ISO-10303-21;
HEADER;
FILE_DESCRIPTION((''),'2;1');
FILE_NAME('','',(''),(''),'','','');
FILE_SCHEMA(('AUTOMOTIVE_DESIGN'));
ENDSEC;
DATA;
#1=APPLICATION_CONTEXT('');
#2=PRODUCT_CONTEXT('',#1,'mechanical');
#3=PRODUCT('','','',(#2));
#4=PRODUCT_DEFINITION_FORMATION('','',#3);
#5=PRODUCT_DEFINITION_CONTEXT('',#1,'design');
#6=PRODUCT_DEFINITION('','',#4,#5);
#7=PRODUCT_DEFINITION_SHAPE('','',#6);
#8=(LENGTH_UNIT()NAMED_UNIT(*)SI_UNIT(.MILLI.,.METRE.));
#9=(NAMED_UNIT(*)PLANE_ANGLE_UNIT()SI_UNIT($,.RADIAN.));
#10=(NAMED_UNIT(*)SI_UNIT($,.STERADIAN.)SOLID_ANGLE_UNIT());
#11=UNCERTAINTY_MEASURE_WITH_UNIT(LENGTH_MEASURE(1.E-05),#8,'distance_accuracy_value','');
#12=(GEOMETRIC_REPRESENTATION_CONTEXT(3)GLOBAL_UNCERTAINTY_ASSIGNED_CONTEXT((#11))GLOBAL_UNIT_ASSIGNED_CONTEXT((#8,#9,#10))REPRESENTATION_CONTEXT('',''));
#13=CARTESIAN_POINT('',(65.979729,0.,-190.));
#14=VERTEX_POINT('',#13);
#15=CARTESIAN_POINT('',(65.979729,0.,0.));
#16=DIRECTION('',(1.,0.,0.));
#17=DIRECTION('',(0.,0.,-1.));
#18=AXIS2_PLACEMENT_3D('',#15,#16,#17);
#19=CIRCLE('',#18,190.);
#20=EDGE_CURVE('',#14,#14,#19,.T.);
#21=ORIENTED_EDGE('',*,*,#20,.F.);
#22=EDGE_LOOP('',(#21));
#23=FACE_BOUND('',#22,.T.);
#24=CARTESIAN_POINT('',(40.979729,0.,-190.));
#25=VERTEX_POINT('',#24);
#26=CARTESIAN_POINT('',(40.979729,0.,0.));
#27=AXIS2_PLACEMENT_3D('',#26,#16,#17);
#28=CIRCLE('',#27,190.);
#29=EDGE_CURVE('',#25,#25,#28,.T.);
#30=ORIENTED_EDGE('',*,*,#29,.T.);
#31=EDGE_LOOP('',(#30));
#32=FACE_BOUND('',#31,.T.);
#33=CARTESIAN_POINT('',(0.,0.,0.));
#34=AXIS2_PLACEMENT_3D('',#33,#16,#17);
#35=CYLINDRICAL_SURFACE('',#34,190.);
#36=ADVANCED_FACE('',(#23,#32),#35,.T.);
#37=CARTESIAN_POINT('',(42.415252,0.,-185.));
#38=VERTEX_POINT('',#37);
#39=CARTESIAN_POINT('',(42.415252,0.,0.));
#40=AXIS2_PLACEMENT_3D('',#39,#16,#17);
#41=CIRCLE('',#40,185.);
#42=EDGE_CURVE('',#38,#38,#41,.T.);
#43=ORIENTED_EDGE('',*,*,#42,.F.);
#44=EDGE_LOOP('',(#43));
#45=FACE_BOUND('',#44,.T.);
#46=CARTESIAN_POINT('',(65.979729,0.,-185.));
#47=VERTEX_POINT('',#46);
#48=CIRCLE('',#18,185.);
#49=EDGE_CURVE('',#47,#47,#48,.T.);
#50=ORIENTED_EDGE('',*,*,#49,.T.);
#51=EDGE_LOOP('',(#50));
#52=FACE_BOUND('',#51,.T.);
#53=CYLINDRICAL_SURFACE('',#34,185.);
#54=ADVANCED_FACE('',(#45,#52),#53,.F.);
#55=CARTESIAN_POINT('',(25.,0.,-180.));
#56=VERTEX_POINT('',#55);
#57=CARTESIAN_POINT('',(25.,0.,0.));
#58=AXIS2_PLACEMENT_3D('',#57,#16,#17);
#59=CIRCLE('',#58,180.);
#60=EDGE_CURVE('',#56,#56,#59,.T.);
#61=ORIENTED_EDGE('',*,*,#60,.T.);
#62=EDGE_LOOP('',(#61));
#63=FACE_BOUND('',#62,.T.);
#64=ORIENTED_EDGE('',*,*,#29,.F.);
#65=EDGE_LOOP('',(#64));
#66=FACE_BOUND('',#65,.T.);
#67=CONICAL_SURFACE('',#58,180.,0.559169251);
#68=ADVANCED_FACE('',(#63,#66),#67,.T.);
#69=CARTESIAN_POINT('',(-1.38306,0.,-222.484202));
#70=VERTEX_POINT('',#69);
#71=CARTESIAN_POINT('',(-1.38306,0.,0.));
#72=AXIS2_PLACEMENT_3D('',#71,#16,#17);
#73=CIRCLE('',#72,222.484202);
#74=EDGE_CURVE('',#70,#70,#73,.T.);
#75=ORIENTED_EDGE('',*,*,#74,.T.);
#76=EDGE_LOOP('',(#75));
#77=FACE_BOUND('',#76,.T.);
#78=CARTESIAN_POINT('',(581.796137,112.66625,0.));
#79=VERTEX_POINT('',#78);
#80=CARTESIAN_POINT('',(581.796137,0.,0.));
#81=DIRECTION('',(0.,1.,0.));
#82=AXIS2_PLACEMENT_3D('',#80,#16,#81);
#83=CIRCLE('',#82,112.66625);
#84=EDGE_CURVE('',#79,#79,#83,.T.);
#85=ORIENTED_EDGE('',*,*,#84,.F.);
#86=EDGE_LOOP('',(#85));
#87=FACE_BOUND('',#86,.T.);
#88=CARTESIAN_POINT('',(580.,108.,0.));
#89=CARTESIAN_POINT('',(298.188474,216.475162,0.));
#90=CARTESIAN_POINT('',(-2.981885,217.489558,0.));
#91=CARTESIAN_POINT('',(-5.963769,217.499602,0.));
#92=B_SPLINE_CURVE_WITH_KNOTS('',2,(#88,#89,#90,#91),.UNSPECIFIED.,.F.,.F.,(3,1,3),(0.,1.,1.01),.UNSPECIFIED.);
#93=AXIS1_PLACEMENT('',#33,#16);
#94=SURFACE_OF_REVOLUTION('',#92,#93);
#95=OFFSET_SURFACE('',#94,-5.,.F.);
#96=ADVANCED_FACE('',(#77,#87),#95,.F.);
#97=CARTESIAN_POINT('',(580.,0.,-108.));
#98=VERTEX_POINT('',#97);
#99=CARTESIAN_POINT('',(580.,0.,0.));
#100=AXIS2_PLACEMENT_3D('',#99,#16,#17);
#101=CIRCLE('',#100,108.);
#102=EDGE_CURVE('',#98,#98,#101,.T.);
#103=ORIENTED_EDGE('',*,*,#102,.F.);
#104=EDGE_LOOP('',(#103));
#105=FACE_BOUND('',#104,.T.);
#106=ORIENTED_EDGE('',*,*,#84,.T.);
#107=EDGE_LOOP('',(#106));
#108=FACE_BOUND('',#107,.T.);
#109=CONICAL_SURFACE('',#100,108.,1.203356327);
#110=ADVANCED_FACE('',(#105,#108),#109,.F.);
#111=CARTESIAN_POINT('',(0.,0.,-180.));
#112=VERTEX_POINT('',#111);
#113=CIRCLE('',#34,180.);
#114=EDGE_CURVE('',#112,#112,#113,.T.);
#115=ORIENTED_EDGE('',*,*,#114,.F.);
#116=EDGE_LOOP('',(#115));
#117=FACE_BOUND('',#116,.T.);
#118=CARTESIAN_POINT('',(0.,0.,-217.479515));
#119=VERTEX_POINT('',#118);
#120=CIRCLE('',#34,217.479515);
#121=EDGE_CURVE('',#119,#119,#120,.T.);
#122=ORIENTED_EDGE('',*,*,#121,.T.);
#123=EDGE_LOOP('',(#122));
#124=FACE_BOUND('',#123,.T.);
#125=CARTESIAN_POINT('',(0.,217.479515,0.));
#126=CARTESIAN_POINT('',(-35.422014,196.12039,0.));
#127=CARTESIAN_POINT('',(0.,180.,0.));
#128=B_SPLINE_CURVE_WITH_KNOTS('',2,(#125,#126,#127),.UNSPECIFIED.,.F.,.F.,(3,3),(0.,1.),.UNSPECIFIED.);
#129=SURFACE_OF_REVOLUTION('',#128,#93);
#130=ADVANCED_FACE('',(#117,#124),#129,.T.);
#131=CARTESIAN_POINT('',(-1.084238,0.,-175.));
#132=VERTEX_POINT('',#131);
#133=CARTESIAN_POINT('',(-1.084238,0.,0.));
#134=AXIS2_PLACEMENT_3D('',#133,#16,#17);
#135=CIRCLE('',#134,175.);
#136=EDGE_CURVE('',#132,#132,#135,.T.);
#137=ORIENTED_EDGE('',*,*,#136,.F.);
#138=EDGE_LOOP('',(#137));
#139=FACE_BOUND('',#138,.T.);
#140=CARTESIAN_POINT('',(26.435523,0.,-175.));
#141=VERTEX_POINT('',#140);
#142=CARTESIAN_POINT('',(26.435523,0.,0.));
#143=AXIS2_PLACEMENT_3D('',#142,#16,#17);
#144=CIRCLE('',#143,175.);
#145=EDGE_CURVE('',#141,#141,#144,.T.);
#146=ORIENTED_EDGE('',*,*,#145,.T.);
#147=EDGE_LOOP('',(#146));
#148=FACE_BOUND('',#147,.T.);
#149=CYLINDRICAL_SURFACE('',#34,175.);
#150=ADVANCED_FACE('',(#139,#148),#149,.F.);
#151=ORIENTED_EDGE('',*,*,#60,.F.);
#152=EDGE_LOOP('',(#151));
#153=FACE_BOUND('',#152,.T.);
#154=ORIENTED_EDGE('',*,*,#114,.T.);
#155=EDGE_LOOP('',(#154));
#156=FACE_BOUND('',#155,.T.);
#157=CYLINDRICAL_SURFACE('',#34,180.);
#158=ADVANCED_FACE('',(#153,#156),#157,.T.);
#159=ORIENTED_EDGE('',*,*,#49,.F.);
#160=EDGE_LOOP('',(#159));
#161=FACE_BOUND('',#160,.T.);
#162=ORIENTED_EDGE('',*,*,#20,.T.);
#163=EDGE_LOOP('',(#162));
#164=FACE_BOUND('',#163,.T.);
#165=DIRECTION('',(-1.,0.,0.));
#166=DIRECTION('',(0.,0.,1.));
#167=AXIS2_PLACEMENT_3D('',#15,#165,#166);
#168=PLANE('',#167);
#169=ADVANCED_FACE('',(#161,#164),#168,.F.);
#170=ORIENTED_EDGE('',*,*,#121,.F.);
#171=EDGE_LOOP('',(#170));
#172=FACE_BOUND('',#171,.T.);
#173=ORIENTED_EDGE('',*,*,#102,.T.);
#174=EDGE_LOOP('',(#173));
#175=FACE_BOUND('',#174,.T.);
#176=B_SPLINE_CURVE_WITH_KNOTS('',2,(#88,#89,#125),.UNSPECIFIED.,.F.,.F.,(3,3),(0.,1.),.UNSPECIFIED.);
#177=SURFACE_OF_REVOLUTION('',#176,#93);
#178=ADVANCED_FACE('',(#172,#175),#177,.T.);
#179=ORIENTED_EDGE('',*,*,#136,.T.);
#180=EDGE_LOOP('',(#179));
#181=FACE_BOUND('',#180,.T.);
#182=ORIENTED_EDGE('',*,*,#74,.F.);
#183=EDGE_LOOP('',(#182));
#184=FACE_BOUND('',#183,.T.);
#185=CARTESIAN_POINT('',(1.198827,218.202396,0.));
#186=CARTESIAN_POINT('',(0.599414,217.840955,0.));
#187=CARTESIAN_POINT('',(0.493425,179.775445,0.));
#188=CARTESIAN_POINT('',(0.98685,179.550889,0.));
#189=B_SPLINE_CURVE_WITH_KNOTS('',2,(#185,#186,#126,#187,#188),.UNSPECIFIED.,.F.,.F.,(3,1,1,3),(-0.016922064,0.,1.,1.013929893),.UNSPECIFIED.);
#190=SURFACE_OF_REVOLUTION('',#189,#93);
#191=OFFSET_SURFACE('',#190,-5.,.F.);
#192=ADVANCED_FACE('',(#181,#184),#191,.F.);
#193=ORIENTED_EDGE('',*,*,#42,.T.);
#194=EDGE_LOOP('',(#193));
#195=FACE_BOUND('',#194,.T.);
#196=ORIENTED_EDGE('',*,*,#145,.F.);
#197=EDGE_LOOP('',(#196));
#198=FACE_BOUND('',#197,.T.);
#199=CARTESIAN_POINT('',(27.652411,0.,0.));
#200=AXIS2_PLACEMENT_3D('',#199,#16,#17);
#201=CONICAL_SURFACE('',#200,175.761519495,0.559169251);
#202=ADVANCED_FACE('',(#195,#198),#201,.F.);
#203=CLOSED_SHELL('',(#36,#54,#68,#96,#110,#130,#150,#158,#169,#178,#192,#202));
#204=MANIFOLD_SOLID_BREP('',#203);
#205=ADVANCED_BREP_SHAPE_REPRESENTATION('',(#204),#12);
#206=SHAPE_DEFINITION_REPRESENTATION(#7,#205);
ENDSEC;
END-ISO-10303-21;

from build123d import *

# Parameters (mm, degrees)
THICKEN1_T1 = 5


with BuildPart() as body_1:
    # Surface-Revolve1: a surface, the sketch's curves turned about an axis
    with BuildLine(Plane.XY, mode=Mode.PRIVATE) as surface_revolve1_1_path:
        Line((65.979728767, 190), (40.979728767, 190))
        Line((40.979728767, 190), (25, 180))
        Line((25, 180), (0, 180))
        add(Edge.make_bspline(
            [(0, 180), (-35.422013569, 196.120389522), (0, 217.479514847)],
            knots=[0, 0, 0, 1, 1, 1], degree=2))
        add(Edge.make_bspline(
            [(0, 217.479514847), (298.188474244, 216.475161748), (580, 108)],
            knots=[0, 0, 0, 1, 1, 1], degree=2))
    surface_revolve1_1 = Shell.revolve(surface_revolve1_1_path.wire(), 360, Axis((0, 0, 0), (1, 0, 0)))
    add(Solid.thicken(surface_revolve1_1, THICKEN1_T1))


solid = body_1.part
